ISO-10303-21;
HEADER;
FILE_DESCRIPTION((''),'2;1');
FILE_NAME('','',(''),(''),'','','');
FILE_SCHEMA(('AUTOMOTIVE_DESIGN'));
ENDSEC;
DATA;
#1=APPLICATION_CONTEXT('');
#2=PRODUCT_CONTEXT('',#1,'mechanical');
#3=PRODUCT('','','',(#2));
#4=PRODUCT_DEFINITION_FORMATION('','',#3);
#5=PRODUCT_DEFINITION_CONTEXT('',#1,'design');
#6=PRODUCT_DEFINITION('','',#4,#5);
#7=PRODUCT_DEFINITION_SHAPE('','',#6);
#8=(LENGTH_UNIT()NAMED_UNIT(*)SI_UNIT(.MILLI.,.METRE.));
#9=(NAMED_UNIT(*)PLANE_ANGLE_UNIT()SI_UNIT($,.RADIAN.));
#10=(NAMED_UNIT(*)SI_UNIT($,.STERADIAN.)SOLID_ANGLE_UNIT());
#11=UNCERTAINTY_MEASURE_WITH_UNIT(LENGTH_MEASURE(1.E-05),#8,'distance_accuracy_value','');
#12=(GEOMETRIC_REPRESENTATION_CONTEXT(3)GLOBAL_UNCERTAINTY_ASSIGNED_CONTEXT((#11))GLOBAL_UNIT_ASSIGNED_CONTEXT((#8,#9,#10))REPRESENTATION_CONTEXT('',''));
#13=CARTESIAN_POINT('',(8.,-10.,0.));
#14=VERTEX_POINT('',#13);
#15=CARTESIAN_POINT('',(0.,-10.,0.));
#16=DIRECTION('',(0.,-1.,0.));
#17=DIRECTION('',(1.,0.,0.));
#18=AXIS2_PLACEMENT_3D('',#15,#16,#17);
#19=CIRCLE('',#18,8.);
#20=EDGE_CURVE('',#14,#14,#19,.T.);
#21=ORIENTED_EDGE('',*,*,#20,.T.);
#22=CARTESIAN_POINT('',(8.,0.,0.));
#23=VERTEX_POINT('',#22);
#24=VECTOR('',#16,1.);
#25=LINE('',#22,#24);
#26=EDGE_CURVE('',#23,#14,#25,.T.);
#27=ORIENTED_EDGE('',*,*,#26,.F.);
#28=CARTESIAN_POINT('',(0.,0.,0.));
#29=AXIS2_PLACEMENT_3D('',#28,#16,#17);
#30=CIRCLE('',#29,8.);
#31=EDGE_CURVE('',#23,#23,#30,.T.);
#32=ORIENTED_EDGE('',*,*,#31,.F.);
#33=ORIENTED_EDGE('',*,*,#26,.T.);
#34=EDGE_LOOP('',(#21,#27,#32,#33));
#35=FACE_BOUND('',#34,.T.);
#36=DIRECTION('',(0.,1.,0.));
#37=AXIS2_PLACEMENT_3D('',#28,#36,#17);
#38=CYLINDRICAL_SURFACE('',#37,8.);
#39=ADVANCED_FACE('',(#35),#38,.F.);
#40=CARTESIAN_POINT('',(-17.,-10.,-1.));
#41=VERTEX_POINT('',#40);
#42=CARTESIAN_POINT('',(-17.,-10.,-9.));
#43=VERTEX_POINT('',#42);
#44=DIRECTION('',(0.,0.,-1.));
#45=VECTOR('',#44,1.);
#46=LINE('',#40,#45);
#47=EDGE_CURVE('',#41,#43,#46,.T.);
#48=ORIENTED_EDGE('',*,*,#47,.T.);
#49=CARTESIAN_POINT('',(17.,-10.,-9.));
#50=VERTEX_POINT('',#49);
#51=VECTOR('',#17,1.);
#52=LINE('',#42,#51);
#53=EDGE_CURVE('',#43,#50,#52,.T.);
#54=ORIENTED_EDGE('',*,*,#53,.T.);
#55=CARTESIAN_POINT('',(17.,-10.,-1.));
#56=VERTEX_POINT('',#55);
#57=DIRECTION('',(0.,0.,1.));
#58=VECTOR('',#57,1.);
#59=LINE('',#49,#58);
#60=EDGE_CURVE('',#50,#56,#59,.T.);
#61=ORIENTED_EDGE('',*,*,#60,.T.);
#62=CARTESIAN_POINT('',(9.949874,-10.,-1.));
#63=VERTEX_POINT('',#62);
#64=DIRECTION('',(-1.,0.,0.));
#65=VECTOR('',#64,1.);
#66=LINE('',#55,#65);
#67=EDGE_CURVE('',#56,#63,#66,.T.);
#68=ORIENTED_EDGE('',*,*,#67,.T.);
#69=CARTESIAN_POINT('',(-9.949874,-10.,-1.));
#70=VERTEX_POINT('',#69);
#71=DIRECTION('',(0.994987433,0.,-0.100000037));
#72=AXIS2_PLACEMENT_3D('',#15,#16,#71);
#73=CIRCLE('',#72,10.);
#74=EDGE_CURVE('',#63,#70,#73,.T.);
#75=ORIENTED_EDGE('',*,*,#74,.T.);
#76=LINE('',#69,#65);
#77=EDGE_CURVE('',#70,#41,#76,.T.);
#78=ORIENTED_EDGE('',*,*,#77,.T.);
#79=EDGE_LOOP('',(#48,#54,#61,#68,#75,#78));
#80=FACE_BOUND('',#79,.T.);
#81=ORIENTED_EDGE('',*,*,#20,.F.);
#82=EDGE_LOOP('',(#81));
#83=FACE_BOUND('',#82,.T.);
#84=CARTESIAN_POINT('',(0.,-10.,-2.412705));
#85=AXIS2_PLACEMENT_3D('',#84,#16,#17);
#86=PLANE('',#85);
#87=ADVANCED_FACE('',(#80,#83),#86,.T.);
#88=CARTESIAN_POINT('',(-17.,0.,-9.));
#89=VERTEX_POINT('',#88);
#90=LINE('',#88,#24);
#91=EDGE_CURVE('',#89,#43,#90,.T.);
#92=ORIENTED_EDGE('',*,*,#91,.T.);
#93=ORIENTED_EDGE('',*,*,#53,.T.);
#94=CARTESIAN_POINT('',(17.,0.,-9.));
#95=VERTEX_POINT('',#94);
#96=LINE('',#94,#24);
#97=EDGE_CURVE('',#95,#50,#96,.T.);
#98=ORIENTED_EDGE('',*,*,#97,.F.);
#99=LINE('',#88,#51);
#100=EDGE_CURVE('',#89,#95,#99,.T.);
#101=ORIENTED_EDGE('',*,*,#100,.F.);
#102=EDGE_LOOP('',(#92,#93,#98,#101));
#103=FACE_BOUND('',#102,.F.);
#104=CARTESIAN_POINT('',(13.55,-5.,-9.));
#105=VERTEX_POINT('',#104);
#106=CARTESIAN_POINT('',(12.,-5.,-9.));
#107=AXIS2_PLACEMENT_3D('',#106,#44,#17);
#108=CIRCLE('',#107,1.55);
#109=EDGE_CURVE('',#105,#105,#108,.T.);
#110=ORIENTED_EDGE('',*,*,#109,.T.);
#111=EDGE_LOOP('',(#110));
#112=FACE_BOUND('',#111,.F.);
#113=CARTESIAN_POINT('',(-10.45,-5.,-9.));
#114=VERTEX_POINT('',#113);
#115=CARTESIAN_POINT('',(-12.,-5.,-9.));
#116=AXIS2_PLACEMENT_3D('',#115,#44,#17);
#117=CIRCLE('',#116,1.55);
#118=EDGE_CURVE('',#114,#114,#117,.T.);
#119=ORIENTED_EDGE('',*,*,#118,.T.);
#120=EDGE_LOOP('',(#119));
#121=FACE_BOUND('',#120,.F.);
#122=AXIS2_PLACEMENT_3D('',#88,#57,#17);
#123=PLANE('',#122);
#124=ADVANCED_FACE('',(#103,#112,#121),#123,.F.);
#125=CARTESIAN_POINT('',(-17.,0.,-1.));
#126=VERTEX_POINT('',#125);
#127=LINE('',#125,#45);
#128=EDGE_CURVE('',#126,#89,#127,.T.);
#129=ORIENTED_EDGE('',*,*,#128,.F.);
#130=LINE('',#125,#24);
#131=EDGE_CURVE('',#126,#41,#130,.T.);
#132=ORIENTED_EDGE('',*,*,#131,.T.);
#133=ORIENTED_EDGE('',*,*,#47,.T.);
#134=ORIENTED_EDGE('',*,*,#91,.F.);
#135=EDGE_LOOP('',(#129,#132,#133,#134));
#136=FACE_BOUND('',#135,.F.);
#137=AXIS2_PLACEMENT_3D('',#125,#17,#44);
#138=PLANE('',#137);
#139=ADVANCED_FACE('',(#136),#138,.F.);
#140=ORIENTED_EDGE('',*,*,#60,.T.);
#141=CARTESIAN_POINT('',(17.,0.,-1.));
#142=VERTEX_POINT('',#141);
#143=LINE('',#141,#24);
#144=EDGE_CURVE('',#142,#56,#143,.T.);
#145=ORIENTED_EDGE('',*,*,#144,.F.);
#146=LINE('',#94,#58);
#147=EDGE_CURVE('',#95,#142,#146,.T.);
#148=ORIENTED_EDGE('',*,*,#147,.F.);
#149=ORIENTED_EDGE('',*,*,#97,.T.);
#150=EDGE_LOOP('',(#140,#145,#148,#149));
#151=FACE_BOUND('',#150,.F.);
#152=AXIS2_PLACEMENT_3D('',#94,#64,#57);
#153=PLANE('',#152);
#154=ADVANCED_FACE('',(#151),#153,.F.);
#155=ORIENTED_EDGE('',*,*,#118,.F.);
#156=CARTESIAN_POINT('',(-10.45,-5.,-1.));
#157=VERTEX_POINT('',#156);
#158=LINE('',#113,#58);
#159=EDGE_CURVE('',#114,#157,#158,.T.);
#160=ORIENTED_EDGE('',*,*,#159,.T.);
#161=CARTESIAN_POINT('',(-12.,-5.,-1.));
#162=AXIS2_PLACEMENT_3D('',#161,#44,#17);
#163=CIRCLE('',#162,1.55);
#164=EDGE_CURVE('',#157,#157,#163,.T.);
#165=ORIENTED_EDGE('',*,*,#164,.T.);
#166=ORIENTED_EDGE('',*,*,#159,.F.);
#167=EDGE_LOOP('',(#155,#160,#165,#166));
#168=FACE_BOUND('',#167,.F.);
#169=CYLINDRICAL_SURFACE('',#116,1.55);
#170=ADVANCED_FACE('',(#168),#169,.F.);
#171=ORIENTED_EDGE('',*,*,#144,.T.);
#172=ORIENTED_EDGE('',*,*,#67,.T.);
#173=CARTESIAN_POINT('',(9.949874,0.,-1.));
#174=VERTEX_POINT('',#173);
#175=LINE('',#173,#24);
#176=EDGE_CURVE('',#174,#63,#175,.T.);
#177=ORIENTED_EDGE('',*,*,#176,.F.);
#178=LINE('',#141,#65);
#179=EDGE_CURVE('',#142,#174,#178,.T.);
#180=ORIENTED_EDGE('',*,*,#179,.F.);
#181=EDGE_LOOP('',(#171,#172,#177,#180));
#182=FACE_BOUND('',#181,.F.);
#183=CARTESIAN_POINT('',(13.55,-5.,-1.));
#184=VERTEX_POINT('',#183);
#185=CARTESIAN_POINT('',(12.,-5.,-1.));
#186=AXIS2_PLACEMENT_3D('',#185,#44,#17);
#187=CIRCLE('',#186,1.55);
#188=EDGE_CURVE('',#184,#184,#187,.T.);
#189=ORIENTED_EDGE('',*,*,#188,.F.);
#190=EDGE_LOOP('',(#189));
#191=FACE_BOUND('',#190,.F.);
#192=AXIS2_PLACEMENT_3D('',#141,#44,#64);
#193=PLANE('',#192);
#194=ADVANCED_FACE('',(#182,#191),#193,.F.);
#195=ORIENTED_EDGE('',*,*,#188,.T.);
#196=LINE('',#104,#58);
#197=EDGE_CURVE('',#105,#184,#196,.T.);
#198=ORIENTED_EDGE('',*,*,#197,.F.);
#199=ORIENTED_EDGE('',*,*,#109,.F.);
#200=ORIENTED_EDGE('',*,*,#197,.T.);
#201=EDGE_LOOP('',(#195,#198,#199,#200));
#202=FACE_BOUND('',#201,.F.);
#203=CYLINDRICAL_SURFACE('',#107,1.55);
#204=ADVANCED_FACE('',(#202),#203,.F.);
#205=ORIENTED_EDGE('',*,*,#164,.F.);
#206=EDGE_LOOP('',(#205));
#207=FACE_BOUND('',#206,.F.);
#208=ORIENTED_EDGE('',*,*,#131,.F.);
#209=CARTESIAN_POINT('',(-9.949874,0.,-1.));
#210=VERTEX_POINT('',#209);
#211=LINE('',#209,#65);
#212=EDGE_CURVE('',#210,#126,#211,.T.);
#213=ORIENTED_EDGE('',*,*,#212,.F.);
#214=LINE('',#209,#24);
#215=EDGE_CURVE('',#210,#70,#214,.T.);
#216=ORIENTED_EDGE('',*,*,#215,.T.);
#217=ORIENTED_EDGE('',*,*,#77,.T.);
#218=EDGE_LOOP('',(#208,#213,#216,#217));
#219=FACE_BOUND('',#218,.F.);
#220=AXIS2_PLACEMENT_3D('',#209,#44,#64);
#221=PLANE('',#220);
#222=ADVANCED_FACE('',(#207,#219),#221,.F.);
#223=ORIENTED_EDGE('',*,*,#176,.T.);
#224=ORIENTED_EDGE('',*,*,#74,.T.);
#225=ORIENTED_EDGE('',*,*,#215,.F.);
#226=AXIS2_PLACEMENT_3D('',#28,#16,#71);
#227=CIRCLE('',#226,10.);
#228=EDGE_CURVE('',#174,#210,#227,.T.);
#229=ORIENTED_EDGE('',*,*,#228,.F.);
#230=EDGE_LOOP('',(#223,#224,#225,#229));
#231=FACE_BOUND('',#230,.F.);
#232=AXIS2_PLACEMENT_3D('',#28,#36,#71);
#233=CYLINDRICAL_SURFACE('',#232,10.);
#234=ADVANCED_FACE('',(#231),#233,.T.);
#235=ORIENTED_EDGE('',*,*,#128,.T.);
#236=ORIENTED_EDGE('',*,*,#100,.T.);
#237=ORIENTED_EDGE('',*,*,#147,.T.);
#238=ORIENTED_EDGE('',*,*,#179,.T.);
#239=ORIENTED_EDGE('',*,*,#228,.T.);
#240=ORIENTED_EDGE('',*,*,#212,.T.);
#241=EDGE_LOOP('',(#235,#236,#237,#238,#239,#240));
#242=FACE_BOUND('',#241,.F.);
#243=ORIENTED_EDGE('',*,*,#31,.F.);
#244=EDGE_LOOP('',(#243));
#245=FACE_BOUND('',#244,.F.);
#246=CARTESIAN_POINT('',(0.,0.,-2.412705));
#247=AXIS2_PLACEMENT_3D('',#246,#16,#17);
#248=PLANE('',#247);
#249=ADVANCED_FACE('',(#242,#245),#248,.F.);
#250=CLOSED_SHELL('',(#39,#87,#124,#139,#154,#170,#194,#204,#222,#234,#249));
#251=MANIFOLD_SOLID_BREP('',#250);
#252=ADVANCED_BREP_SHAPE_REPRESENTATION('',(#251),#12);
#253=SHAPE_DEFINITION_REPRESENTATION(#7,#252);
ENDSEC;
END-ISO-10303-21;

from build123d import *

# Parameters (mm, degrees)
F0_R     = 8
F1_DEPTH = 10
F2_R     = 1.55
F3_DEPTH = 8


with BuildPart() as f1:
    # F0 (on Front) → F1 (new body)
    with BuildSketch(Plane.XZ):
        with BuildLine():
            Line((-17, -1), (-17, -9))
            Line((-17, -9), (17, -9))
            Line((17, -9), (17, -1))
            Line((17, -1), (9.949874, -1))
            ThreePointArc((9.949874, -1), (0, 10), (-9.949874, -1))
            Line((-9.949874, -1), (-17, -1))
        make_face()
        Circle(F0_R, mode=Mode.SUBTRACT)
    extrude(amount=F1_DEPTH)

    # F2 (on face) → F3 (cut, through all)
    with BuildSketch(Plane(origin=(0, 0, -9), x_dir=(1, 0, 0), z_dir=(0, 0, -1))):
        with Locations((-12, 5)):
            Circle(F2_R)
        with Locations((12, 5)):
            Circle(F2_R)
    extrude(amount=-F3_DEPTH, mode=Mode.SUBTRACT)


solid = f1.part
